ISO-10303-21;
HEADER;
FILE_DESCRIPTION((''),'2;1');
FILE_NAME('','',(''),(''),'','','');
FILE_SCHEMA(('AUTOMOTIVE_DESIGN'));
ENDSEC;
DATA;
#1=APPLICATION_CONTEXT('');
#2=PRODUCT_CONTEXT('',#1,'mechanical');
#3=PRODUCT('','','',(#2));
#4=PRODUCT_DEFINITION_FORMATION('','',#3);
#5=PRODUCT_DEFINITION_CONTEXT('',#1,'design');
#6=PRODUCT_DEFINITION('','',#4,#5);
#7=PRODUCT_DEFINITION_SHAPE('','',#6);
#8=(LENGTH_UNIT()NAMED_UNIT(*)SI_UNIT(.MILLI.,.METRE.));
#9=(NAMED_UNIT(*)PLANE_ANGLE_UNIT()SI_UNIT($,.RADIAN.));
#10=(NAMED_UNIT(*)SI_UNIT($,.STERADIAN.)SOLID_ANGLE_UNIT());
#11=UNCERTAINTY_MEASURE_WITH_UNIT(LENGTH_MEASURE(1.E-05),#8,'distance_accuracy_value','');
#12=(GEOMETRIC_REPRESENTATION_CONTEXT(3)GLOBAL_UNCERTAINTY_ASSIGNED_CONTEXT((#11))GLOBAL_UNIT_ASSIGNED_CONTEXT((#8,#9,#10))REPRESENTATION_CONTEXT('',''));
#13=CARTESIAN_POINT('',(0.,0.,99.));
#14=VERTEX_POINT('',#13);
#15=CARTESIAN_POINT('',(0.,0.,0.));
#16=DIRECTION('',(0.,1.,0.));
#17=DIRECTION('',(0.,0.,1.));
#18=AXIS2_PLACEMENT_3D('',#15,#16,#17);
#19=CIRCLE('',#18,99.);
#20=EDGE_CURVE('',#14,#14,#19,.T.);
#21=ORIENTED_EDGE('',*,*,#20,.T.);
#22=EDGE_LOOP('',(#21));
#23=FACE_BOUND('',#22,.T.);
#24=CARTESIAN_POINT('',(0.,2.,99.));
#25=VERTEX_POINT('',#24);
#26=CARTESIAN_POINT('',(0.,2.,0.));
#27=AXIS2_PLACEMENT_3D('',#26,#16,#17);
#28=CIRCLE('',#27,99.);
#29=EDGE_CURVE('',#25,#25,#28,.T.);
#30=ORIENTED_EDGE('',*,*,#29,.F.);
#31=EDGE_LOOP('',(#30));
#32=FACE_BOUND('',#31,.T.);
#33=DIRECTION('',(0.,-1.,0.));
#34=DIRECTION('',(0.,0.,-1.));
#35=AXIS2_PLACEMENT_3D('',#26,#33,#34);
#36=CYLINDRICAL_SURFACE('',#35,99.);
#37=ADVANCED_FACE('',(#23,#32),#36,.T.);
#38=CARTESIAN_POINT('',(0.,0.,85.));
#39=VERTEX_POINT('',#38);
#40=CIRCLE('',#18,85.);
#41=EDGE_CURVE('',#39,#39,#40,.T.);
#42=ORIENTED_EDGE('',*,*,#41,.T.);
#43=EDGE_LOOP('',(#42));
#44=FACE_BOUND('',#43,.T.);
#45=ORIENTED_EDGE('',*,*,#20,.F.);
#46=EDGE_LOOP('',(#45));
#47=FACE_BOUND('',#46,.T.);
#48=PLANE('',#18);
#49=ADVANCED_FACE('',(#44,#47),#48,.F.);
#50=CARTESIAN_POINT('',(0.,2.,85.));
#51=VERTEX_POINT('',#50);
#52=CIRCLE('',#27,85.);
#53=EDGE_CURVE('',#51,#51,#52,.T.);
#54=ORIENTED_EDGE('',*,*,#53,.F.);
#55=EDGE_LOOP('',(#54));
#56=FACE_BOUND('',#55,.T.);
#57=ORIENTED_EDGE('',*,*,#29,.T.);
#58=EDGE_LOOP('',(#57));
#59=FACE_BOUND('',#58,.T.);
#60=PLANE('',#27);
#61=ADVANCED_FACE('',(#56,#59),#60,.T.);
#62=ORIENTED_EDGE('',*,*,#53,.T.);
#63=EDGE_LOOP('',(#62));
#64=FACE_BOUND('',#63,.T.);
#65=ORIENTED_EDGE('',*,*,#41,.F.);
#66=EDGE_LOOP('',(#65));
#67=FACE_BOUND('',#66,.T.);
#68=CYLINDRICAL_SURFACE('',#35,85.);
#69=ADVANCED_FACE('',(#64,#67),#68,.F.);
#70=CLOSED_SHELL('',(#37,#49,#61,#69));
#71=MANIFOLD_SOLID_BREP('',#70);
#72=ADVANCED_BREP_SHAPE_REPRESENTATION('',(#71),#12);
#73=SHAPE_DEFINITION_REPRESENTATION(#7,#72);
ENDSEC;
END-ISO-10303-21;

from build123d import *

# Parameters (mm, degrees)
ESBO_O1_R                = 99
ESBO_O1_R_2              = 85
RESSALTO_EXTRUS_O1_DEPTH = 2


with BuildPart() as part:
    # Esboço1 → Ressalto-extrusão1 (new body)
    with BuildSketch(Plane(origin=(0, 0, 0), x_dir=(1, 0, 0), z_dir=(0, 1, 0))):
        Circle(ESBO_O1_R)
        Circle(ESBO_O1_R_2, mode=Mode.SUBTRACT)
    extrude(amount=RESSALTO_EXTRUS_O1_DEPTH)


solid = part.part
